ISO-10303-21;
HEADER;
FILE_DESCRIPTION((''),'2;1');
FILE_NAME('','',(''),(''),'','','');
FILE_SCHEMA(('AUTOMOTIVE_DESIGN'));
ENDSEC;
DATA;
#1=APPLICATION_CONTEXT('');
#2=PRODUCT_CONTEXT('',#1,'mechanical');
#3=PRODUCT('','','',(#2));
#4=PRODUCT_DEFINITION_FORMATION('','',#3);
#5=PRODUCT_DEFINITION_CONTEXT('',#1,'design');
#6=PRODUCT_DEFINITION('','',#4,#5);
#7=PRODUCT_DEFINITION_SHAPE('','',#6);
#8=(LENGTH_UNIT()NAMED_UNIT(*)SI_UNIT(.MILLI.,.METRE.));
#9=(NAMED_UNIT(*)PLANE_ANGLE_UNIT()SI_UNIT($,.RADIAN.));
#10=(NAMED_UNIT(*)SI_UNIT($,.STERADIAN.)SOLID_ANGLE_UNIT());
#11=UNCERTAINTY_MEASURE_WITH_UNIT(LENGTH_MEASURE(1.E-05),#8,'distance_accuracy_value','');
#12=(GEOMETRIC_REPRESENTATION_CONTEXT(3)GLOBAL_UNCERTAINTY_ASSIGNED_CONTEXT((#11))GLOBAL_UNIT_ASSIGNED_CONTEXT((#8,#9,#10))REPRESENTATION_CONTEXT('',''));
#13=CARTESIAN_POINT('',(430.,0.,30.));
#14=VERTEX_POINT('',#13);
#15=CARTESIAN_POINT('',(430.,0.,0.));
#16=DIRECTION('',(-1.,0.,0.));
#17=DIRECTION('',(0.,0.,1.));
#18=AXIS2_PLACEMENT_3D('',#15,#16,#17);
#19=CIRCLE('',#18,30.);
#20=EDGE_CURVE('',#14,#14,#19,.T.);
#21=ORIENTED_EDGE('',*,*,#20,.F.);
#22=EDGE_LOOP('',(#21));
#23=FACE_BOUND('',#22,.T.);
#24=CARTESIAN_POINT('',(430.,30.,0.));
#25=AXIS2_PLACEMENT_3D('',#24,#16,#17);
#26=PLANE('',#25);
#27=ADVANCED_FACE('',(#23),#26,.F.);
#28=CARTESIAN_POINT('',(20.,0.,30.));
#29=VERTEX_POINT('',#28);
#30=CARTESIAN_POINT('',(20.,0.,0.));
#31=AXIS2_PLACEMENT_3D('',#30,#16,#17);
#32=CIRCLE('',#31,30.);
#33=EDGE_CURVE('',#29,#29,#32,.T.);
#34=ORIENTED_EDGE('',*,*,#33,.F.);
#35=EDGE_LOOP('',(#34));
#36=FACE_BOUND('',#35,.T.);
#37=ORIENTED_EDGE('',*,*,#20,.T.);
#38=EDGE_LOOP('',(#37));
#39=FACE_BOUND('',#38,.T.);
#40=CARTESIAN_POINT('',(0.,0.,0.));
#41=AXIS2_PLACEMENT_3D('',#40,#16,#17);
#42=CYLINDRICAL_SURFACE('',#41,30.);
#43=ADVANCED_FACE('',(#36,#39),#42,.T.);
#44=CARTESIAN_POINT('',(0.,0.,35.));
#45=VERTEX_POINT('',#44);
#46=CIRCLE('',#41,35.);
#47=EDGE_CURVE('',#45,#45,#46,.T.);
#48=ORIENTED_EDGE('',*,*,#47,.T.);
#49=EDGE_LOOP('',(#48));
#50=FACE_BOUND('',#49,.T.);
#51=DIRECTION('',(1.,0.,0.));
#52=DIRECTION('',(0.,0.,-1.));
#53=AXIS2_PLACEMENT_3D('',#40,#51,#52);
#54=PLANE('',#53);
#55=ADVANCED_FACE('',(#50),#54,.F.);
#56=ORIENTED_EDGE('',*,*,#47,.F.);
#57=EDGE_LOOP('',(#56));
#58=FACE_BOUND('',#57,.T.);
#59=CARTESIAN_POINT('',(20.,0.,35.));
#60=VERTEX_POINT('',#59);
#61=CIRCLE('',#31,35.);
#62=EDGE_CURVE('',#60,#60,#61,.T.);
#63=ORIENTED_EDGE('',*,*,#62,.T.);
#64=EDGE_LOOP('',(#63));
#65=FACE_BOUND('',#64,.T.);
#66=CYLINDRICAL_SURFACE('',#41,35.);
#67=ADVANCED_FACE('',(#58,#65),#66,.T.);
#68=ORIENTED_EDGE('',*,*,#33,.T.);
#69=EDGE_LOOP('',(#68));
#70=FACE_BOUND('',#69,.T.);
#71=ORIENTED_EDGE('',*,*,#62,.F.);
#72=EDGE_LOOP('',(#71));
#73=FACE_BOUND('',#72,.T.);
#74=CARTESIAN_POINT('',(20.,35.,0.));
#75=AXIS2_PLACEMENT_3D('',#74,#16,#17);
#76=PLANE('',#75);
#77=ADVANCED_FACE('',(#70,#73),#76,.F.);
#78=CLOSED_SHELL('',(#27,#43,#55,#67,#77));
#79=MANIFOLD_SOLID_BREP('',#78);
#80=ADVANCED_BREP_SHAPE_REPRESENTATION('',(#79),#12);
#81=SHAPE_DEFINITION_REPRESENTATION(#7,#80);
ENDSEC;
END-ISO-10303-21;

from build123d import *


with BuildPart() as part:
    # Çizim1 → Döndür1 (revolve)
    with BuildSketch(Plane.XY, mode=Mode.PRIVATE) as d_nd_r1_sk:
        Polygon((0, 0), (0, 35), (20, 35), (20, 30), (430, 30), (430, 0), align=None)
    revolve(d_nd_r1_sk.sketch.rotate(Axis((0, 0, 0), (1, 0, 0)), 90), axis=Axis((0, 0, 0), (1, 0, 0)))


solid = part.part
